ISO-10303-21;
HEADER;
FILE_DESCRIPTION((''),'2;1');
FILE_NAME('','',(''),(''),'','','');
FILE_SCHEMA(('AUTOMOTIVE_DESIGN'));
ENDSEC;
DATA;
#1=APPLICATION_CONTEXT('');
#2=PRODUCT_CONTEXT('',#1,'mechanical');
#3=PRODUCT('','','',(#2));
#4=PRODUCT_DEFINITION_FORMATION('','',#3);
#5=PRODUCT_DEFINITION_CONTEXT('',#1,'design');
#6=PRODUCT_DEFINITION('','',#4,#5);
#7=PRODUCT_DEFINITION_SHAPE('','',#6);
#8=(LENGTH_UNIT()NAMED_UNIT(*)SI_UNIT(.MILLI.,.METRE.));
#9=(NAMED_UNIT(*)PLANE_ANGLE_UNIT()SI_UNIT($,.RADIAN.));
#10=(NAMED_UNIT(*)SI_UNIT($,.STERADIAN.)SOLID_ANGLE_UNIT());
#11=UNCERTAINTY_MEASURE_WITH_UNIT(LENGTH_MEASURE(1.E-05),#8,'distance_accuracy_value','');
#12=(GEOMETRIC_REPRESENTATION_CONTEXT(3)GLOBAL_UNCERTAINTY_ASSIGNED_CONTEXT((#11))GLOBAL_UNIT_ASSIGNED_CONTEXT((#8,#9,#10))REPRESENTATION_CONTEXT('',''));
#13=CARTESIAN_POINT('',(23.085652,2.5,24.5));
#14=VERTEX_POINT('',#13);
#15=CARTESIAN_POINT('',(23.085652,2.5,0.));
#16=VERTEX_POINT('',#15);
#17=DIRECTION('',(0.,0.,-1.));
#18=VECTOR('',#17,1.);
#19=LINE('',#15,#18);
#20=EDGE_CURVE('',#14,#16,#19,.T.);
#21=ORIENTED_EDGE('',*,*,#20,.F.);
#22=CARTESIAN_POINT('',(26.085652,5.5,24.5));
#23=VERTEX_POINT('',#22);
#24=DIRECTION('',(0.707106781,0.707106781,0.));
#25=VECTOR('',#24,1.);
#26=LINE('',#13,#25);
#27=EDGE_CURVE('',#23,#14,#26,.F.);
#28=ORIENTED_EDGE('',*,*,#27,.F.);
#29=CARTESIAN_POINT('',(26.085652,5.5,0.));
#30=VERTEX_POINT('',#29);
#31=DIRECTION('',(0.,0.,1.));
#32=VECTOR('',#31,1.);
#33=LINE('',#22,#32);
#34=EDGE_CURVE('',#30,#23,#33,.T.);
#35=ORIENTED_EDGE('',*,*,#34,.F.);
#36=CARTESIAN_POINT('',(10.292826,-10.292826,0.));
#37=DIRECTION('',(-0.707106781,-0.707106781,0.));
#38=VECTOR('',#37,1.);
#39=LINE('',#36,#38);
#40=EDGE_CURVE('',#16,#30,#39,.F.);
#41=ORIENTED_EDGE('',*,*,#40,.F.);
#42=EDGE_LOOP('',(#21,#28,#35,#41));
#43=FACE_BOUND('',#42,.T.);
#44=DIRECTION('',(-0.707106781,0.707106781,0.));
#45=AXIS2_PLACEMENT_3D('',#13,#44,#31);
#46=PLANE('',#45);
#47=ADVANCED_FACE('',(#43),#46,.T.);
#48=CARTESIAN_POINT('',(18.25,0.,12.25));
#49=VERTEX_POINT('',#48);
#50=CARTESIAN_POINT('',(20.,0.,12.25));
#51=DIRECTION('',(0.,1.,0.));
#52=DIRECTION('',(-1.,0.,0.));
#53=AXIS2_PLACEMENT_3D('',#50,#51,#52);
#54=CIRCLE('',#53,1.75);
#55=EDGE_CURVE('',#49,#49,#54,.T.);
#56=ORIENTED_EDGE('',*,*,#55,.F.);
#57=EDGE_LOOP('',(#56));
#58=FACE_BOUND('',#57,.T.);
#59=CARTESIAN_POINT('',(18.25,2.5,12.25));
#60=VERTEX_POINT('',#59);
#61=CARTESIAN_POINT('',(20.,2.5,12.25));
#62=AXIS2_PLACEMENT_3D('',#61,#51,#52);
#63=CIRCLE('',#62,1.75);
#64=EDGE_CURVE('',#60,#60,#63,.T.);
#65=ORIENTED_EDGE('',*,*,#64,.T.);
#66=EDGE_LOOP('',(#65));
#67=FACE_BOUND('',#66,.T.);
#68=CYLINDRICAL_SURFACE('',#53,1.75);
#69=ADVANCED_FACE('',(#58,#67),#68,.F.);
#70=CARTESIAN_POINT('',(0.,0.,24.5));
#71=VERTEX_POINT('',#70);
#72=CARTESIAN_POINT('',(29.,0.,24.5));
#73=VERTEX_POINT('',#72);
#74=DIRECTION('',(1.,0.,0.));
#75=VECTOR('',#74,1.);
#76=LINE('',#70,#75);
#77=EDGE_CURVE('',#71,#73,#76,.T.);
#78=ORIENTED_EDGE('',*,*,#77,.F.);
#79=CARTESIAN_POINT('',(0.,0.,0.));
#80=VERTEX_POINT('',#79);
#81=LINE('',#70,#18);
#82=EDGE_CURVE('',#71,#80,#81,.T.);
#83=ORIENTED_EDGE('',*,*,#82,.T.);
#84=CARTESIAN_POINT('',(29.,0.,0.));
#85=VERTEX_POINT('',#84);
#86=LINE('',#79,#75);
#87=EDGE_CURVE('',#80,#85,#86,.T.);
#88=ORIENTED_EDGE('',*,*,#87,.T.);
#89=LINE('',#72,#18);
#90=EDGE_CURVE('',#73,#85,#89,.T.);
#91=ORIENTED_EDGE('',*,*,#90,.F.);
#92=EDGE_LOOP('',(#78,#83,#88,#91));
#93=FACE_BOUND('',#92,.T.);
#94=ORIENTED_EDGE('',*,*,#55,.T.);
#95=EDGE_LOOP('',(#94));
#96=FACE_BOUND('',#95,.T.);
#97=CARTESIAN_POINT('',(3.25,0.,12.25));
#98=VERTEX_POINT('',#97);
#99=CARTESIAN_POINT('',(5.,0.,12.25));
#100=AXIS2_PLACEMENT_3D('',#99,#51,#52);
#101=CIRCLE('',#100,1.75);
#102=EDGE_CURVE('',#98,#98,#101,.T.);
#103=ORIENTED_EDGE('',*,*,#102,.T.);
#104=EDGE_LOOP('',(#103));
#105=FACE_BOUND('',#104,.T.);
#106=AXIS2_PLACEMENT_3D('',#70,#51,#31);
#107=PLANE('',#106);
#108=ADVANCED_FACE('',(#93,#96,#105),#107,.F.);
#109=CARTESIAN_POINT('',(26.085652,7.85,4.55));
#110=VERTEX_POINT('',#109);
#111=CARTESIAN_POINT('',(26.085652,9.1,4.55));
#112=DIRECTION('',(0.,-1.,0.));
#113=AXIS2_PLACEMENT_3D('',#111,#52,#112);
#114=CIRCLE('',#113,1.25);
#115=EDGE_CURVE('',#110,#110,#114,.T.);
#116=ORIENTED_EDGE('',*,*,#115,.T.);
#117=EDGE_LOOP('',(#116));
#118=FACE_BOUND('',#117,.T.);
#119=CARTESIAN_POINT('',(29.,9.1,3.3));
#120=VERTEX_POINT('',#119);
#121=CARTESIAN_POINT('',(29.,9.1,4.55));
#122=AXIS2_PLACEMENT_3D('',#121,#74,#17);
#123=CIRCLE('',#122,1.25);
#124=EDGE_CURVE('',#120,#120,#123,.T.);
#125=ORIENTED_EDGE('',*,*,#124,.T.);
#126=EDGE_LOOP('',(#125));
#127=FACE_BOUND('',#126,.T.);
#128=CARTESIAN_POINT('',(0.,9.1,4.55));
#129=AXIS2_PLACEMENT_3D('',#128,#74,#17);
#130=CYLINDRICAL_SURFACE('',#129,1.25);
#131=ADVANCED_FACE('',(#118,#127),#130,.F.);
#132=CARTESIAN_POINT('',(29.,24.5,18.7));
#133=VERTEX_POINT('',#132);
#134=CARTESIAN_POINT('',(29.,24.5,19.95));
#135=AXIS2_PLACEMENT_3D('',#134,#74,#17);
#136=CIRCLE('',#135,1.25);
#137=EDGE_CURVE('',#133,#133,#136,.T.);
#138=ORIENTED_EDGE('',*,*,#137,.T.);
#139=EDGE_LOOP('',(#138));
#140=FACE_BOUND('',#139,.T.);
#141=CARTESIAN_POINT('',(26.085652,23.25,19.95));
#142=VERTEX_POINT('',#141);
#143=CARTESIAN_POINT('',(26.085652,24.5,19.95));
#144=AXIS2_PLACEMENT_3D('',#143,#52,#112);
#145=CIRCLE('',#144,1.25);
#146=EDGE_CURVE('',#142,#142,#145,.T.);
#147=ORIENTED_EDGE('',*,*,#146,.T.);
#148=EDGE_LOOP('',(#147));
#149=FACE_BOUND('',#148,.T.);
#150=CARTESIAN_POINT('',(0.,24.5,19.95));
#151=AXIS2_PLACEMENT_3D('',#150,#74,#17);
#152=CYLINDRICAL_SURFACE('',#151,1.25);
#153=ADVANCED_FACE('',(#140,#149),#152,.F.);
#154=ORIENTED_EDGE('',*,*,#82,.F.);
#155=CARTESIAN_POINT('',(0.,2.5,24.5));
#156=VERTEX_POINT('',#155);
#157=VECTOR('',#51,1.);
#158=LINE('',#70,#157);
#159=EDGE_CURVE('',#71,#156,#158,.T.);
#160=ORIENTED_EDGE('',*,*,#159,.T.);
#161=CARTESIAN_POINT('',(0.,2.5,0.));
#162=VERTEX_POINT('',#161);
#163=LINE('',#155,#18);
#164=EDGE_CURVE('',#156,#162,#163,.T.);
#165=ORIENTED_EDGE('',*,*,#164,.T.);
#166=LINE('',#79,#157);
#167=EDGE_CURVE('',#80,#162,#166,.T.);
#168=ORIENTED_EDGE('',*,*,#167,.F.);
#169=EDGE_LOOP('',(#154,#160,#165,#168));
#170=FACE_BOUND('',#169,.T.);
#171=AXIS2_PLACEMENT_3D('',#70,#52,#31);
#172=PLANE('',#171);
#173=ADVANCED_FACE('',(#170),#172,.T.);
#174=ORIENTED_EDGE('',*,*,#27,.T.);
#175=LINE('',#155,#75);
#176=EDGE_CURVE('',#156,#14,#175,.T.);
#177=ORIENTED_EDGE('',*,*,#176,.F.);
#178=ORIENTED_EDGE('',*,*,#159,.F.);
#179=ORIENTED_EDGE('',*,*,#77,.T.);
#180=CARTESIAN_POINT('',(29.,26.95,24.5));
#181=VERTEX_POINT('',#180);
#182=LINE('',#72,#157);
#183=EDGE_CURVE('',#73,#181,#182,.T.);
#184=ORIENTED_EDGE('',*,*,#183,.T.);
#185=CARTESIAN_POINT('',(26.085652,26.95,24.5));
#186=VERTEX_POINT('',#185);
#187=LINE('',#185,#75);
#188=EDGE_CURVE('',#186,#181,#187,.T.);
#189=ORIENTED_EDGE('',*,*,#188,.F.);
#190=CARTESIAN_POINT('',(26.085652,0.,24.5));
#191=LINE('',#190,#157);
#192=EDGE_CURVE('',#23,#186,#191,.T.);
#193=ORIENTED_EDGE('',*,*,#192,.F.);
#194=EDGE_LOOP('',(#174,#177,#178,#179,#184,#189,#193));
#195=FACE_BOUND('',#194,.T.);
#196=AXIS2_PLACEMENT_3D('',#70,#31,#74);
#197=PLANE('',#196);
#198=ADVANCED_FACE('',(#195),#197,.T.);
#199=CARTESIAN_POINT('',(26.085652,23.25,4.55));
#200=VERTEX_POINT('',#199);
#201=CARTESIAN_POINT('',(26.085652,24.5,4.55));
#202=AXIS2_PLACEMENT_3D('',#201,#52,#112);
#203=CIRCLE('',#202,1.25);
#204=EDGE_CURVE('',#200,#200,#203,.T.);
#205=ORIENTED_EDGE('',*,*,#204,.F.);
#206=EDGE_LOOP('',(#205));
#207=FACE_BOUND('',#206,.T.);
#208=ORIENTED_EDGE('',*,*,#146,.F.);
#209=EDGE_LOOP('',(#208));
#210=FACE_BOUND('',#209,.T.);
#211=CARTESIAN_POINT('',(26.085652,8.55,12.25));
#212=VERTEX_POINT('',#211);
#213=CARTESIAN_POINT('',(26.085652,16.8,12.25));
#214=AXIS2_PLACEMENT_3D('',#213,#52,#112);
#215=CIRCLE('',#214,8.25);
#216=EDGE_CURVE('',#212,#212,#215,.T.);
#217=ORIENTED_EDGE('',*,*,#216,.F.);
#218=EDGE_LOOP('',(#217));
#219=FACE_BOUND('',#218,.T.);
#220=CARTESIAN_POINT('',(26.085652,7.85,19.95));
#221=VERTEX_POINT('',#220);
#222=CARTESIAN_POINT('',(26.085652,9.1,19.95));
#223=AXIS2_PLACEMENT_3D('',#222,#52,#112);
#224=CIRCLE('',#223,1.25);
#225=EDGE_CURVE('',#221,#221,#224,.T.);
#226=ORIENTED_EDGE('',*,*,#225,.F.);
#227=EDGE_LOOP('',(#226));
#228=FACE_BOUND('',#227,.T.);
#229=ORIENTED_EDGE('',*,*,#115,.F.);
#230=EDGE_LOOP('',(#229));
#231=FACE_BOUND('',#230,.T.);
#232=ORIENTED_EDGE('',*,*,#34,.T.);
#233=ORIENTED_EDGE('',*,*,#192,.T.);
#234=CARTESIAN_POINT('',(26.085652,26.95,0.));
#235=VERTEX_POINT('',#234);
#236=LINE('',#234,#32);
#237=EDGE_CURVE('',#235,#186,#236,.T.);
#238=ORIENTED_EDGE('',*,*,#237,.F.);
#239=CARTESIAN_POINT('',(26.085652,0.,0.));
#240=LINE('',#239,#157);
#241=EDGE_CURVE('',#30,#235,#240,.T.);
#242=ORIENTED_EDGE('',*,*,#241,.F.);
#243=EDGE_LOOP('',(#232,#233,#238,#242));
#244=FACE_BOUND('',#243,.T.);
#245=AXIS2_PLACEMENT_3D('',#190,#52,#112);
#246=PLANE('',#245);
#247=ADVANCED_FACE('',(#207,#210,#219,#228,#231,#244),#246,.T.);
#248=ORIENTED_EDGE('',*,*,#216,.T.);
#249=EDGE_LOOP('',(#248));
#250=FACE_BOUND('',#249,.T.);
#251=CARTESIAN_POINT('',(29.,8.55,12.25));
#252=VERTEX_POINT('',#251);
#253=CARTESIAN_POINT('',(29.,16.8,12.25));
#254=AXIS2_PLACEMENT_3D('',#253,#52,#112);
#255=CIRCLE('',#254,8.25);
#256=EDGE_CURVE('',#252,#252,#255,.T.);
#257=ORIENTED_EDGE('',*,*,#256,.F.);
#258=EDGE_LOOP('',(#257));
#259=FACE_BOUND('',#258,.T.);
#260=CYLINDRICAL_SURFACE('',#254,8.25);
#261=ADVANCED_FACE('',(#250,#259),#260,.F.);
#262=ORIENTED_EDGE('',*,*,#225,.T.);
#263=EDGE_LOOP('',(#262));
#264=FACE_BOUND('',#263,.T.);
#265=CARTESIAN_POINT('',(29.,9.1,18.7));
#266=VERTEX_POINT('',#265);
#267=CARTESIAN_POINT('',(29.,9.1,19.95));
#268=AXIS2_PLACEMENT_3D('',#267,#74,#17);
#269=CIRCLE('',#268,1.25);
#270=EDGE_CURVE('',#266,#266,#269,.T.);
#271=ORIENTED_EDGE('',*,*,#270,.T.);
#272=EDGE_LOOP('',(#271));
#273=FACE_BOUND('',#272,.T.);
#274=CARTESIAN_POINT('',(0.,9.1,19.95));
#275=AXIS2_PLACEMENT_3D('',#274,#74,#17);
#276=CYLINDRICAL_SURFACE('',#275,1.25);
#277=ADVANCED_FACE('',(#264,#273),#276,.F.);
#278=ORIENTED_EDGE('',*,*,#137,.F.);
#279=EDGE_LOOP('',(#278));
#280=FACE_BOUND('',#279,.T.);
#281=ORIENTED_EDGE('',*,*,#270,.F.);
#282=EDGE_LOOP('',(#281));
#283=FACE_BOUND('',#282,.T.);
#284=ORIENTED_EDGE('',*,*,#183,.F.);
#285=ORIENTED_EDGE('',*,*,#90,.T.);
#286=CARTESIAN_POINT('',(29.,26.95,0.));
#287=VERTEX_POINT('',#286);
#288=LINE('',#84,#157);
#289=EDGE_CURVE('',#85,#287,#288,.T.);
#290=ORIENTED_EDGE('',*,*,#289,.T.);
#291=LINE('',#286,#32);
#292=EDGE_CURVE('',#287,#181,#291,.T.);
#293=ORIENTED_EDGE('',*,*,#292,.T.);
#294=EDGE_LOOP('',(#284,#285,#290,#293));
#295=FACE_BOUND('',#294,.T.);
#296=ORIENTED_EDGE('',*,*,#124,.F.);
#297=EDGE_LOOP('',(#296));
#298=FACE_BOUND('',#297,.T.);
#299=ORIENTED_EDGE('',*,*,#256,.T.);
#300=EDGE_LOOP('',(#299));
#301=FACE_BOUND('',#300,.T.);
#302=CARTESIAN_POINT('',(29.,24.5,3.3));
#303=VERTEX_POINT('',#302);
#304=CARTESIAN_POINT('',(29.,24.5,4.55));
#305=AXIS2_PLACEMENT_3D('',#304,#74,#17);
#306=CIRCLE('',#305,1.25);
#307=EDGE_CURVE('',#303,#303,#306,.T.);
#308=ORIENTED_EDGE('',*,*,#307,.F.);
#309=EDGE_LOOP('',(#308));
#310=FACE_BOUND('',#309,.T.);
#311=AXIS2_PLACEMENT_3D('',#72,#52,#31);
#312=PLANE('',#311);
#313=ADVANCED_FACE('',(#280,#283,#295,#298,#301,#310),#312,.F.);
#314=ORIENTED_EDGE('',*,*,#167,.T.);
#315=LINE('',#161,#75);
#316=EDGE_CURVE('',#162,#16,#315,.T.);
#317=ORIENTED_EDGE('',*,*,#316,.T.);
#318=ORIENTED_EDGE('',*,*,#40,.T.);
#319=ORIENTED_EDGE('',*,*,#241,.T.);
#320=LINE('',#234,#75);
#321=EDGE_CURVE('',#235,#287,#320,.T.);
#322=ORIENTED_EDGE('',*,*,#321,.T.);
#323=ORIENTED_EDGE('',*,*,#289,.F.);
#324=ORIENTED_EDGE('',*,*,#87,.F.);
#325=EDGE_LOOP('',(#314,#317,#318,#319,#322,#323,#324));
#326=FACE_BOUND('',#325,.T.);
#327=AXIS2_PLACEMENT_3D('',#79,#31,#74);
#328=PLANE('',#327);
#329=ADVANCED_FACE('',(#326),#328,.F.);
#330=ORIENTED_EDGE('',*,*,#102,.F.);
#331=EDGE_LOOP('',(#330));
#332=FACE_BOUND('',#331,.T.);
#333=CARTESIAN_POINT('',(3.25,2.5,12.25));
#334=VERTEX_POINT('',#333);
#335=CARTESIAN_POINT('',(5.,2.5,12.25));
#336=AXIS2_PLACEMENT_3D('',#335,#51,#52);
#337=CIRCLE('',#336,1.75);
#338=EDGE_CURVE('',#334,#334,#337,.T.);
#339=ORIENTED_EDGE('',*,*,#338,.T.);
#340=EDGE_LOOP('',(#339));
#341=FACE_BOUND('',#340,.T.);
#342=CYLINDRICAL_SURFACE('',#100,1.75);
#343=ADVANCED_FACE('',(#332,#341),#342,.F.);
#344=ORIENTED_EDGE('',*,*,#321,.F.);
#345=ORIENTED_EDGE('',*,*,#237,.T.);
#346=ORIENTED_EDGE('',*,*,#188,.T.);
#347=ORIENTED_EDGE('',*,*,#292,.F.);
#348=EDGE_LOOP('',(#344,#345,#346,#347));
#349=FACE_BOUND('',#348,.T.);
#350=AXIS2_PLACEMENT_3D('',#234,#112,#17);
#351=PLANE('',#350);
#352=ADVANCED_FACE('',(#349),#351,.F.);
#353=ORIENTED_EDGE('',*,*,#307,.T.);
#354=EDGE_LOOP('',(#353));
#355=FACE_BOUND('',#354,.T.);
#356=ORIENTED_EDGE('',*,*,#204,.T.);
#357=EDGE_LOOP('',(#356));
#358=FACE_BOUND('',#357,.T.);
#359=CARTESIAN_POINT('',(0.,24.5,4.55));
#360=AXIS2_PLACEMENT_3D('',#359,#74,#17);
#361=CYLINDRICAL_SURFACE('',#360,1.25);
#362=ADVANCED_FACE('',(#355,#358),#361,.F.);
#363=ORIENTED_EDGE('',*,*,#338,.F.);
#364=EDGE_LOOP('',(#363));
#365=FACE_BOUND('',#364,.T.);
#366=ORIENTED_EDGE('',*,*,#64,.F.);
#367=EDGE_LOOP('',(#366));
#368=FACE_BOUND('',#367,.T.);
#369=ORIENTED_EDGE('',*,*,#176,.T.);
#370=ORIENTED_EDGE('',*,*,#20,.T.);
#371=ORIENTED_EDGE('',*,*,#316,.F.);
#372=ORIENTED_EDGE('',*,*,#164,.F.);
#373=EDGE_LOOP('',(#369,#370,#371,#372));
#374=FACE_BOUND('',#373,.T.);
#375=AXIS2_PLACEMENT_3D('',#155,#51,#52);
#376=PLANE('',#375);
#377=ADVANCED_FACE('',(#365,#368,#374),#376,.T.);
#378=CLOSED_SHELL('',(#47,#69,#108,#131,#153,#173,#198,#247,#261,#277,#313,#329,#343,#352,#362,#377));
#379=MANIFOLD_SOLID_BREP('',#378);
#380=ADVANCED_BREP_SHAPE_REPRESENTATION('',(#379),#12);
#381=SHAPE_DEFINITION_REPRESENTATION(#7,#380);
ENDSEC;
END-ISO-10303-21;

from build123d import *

# Parameters (mm, degrees)
SKETCH1_W               = 2.914347554
SKETCH1_H               = 25
SKETCH1_W_2             = 29
SKETCH1_H_2             = 2.5
BOSS_EXTRUDE1_DEPTH     = 24.5
SKETCH2_R               = 1.25
CUT_EXTRUDE1_DEPTH      = 30
SKETCH3_R               = 1.75
CUT_EXTRUDE2_DEPTH      = 26
CUT_EXTRUDE2_DEPTH_BACK = 3.5
SKETCH4_R               = 8.25
CUT_EXTRUDE3_DEPTH      = 27.085652446
CUT_EXTRUDE3_DEPTH_BACK = 3.914347554
SKETCH5_W               = 2.914347554
SKETCH5_H               = 0.55
CUT_EXTRUDE4_DEPTH      = 1
CUT_EXTRUDE4_DEPTH_BACK = 25.5
CHAMFER1_SIZE           = 3


with BuildPart() as part:
    # Sketch1 → Boss-Extrude1 (new body)
    with BuildSketch(Plane.XY):
        with Locations((27.542826223, 15)):
            Rectangle(SKETCH1_W, SKETCH1_H)
        with Locations((14.5, 1.25)):
            Rectangle(SKETCH1_W_2, SKETCH1_H_2)
    extrude(amount=BOSS_EXTRUDE1_DEPTH)

    # Sketch2 → Cut-Extrude1 (cut, through all)
    with BuildSketch(Plane(origin=(29, 0, 0), x_dir=(0, 0, -1), z_dir=(1, 0, 0))):
        with Locations((-19.95, 24.5)):
            Circle(SKETCH2_R)
        with Locations((-4.55, 24.5)):
            Circle(SKETCH2_R)
        with Locations((-4.55, 9.1)):
            Circle(SKETCH2_R)
        with Locations((-19.95, 9.1)):
            Circle(SKETCH2_R)
    extrude(amount=-CUT_EXTRUDE1_DEPTH, mode=Mode.SUBTRACT)

    # Sketch3 → Cut-Extrude2 (cut, two sides)
    with BuildSketch(Plane(origin=(0, 2.5, 0), x_dir=(1, 0, 0), z_dir=(0, 1, 0))) as cut_extrude2_sk:
        with Locations((5, -12.25)):
            Circle(SKETCH3_R)
        with Locations((20, -12.25)):
            Circle(SKETCH3_R)
    extrude(amount=CUT_EXTRUDE2_DEPTH, mode=Mode.SUBTRACT)
    extrude(cut_extrude2_sk.sketch, amount=-CUT_EXTRUDE2_DEPTH_BACK, mode=Mode.SUBTRACT)

    # Sketch4 → Cut-Extrude3 (cut, two sides)
    with BuildSketch(Plane.ZY.offset(-26.085652446)) as cut_extrude3_sk:
        with Locations((12.25, 16.8)):
            Circle(SKETCH4_R)
    extrude(amount=CUT_EXTRUDE3_DEPTH, mode=Mode.SUBTRACT)
    extrude(cut_extrude3_sk.sketch, amount=-CUT_EXTRUDE3_DEPTH_BACK, mode=Mode.SUBTRACT)

    # Sketch5 → Cut-Extrude4 (cut, two sides)
    with BuildSketch(Plane.XY.offset(24.5)) as cut_extrude4_sk:
        with Locations((27.542826223, 27.225)):
            Rectangle(SKETCH5_W, SKETCH5_H)
    extrude(amount=CUT_EXTRUDE4_DEPTH, mode=Mode.SUBTRACT)
    extrude(cut_extrude4_sk.sketch, amount=-CUT_EXTRUDE4_DEPTH_BACK, mode=Mode.SUBTRACT)

    # Chamfer1
    chamfer1_edges = [part.edges().sort_by_distance(p)[0] for p in [
        (26.085652446, 2.5, 12.25),
    ]]
    chamfer(chamfer1_edges, length=CHAMFER1_SIZE)


solid = part.part
